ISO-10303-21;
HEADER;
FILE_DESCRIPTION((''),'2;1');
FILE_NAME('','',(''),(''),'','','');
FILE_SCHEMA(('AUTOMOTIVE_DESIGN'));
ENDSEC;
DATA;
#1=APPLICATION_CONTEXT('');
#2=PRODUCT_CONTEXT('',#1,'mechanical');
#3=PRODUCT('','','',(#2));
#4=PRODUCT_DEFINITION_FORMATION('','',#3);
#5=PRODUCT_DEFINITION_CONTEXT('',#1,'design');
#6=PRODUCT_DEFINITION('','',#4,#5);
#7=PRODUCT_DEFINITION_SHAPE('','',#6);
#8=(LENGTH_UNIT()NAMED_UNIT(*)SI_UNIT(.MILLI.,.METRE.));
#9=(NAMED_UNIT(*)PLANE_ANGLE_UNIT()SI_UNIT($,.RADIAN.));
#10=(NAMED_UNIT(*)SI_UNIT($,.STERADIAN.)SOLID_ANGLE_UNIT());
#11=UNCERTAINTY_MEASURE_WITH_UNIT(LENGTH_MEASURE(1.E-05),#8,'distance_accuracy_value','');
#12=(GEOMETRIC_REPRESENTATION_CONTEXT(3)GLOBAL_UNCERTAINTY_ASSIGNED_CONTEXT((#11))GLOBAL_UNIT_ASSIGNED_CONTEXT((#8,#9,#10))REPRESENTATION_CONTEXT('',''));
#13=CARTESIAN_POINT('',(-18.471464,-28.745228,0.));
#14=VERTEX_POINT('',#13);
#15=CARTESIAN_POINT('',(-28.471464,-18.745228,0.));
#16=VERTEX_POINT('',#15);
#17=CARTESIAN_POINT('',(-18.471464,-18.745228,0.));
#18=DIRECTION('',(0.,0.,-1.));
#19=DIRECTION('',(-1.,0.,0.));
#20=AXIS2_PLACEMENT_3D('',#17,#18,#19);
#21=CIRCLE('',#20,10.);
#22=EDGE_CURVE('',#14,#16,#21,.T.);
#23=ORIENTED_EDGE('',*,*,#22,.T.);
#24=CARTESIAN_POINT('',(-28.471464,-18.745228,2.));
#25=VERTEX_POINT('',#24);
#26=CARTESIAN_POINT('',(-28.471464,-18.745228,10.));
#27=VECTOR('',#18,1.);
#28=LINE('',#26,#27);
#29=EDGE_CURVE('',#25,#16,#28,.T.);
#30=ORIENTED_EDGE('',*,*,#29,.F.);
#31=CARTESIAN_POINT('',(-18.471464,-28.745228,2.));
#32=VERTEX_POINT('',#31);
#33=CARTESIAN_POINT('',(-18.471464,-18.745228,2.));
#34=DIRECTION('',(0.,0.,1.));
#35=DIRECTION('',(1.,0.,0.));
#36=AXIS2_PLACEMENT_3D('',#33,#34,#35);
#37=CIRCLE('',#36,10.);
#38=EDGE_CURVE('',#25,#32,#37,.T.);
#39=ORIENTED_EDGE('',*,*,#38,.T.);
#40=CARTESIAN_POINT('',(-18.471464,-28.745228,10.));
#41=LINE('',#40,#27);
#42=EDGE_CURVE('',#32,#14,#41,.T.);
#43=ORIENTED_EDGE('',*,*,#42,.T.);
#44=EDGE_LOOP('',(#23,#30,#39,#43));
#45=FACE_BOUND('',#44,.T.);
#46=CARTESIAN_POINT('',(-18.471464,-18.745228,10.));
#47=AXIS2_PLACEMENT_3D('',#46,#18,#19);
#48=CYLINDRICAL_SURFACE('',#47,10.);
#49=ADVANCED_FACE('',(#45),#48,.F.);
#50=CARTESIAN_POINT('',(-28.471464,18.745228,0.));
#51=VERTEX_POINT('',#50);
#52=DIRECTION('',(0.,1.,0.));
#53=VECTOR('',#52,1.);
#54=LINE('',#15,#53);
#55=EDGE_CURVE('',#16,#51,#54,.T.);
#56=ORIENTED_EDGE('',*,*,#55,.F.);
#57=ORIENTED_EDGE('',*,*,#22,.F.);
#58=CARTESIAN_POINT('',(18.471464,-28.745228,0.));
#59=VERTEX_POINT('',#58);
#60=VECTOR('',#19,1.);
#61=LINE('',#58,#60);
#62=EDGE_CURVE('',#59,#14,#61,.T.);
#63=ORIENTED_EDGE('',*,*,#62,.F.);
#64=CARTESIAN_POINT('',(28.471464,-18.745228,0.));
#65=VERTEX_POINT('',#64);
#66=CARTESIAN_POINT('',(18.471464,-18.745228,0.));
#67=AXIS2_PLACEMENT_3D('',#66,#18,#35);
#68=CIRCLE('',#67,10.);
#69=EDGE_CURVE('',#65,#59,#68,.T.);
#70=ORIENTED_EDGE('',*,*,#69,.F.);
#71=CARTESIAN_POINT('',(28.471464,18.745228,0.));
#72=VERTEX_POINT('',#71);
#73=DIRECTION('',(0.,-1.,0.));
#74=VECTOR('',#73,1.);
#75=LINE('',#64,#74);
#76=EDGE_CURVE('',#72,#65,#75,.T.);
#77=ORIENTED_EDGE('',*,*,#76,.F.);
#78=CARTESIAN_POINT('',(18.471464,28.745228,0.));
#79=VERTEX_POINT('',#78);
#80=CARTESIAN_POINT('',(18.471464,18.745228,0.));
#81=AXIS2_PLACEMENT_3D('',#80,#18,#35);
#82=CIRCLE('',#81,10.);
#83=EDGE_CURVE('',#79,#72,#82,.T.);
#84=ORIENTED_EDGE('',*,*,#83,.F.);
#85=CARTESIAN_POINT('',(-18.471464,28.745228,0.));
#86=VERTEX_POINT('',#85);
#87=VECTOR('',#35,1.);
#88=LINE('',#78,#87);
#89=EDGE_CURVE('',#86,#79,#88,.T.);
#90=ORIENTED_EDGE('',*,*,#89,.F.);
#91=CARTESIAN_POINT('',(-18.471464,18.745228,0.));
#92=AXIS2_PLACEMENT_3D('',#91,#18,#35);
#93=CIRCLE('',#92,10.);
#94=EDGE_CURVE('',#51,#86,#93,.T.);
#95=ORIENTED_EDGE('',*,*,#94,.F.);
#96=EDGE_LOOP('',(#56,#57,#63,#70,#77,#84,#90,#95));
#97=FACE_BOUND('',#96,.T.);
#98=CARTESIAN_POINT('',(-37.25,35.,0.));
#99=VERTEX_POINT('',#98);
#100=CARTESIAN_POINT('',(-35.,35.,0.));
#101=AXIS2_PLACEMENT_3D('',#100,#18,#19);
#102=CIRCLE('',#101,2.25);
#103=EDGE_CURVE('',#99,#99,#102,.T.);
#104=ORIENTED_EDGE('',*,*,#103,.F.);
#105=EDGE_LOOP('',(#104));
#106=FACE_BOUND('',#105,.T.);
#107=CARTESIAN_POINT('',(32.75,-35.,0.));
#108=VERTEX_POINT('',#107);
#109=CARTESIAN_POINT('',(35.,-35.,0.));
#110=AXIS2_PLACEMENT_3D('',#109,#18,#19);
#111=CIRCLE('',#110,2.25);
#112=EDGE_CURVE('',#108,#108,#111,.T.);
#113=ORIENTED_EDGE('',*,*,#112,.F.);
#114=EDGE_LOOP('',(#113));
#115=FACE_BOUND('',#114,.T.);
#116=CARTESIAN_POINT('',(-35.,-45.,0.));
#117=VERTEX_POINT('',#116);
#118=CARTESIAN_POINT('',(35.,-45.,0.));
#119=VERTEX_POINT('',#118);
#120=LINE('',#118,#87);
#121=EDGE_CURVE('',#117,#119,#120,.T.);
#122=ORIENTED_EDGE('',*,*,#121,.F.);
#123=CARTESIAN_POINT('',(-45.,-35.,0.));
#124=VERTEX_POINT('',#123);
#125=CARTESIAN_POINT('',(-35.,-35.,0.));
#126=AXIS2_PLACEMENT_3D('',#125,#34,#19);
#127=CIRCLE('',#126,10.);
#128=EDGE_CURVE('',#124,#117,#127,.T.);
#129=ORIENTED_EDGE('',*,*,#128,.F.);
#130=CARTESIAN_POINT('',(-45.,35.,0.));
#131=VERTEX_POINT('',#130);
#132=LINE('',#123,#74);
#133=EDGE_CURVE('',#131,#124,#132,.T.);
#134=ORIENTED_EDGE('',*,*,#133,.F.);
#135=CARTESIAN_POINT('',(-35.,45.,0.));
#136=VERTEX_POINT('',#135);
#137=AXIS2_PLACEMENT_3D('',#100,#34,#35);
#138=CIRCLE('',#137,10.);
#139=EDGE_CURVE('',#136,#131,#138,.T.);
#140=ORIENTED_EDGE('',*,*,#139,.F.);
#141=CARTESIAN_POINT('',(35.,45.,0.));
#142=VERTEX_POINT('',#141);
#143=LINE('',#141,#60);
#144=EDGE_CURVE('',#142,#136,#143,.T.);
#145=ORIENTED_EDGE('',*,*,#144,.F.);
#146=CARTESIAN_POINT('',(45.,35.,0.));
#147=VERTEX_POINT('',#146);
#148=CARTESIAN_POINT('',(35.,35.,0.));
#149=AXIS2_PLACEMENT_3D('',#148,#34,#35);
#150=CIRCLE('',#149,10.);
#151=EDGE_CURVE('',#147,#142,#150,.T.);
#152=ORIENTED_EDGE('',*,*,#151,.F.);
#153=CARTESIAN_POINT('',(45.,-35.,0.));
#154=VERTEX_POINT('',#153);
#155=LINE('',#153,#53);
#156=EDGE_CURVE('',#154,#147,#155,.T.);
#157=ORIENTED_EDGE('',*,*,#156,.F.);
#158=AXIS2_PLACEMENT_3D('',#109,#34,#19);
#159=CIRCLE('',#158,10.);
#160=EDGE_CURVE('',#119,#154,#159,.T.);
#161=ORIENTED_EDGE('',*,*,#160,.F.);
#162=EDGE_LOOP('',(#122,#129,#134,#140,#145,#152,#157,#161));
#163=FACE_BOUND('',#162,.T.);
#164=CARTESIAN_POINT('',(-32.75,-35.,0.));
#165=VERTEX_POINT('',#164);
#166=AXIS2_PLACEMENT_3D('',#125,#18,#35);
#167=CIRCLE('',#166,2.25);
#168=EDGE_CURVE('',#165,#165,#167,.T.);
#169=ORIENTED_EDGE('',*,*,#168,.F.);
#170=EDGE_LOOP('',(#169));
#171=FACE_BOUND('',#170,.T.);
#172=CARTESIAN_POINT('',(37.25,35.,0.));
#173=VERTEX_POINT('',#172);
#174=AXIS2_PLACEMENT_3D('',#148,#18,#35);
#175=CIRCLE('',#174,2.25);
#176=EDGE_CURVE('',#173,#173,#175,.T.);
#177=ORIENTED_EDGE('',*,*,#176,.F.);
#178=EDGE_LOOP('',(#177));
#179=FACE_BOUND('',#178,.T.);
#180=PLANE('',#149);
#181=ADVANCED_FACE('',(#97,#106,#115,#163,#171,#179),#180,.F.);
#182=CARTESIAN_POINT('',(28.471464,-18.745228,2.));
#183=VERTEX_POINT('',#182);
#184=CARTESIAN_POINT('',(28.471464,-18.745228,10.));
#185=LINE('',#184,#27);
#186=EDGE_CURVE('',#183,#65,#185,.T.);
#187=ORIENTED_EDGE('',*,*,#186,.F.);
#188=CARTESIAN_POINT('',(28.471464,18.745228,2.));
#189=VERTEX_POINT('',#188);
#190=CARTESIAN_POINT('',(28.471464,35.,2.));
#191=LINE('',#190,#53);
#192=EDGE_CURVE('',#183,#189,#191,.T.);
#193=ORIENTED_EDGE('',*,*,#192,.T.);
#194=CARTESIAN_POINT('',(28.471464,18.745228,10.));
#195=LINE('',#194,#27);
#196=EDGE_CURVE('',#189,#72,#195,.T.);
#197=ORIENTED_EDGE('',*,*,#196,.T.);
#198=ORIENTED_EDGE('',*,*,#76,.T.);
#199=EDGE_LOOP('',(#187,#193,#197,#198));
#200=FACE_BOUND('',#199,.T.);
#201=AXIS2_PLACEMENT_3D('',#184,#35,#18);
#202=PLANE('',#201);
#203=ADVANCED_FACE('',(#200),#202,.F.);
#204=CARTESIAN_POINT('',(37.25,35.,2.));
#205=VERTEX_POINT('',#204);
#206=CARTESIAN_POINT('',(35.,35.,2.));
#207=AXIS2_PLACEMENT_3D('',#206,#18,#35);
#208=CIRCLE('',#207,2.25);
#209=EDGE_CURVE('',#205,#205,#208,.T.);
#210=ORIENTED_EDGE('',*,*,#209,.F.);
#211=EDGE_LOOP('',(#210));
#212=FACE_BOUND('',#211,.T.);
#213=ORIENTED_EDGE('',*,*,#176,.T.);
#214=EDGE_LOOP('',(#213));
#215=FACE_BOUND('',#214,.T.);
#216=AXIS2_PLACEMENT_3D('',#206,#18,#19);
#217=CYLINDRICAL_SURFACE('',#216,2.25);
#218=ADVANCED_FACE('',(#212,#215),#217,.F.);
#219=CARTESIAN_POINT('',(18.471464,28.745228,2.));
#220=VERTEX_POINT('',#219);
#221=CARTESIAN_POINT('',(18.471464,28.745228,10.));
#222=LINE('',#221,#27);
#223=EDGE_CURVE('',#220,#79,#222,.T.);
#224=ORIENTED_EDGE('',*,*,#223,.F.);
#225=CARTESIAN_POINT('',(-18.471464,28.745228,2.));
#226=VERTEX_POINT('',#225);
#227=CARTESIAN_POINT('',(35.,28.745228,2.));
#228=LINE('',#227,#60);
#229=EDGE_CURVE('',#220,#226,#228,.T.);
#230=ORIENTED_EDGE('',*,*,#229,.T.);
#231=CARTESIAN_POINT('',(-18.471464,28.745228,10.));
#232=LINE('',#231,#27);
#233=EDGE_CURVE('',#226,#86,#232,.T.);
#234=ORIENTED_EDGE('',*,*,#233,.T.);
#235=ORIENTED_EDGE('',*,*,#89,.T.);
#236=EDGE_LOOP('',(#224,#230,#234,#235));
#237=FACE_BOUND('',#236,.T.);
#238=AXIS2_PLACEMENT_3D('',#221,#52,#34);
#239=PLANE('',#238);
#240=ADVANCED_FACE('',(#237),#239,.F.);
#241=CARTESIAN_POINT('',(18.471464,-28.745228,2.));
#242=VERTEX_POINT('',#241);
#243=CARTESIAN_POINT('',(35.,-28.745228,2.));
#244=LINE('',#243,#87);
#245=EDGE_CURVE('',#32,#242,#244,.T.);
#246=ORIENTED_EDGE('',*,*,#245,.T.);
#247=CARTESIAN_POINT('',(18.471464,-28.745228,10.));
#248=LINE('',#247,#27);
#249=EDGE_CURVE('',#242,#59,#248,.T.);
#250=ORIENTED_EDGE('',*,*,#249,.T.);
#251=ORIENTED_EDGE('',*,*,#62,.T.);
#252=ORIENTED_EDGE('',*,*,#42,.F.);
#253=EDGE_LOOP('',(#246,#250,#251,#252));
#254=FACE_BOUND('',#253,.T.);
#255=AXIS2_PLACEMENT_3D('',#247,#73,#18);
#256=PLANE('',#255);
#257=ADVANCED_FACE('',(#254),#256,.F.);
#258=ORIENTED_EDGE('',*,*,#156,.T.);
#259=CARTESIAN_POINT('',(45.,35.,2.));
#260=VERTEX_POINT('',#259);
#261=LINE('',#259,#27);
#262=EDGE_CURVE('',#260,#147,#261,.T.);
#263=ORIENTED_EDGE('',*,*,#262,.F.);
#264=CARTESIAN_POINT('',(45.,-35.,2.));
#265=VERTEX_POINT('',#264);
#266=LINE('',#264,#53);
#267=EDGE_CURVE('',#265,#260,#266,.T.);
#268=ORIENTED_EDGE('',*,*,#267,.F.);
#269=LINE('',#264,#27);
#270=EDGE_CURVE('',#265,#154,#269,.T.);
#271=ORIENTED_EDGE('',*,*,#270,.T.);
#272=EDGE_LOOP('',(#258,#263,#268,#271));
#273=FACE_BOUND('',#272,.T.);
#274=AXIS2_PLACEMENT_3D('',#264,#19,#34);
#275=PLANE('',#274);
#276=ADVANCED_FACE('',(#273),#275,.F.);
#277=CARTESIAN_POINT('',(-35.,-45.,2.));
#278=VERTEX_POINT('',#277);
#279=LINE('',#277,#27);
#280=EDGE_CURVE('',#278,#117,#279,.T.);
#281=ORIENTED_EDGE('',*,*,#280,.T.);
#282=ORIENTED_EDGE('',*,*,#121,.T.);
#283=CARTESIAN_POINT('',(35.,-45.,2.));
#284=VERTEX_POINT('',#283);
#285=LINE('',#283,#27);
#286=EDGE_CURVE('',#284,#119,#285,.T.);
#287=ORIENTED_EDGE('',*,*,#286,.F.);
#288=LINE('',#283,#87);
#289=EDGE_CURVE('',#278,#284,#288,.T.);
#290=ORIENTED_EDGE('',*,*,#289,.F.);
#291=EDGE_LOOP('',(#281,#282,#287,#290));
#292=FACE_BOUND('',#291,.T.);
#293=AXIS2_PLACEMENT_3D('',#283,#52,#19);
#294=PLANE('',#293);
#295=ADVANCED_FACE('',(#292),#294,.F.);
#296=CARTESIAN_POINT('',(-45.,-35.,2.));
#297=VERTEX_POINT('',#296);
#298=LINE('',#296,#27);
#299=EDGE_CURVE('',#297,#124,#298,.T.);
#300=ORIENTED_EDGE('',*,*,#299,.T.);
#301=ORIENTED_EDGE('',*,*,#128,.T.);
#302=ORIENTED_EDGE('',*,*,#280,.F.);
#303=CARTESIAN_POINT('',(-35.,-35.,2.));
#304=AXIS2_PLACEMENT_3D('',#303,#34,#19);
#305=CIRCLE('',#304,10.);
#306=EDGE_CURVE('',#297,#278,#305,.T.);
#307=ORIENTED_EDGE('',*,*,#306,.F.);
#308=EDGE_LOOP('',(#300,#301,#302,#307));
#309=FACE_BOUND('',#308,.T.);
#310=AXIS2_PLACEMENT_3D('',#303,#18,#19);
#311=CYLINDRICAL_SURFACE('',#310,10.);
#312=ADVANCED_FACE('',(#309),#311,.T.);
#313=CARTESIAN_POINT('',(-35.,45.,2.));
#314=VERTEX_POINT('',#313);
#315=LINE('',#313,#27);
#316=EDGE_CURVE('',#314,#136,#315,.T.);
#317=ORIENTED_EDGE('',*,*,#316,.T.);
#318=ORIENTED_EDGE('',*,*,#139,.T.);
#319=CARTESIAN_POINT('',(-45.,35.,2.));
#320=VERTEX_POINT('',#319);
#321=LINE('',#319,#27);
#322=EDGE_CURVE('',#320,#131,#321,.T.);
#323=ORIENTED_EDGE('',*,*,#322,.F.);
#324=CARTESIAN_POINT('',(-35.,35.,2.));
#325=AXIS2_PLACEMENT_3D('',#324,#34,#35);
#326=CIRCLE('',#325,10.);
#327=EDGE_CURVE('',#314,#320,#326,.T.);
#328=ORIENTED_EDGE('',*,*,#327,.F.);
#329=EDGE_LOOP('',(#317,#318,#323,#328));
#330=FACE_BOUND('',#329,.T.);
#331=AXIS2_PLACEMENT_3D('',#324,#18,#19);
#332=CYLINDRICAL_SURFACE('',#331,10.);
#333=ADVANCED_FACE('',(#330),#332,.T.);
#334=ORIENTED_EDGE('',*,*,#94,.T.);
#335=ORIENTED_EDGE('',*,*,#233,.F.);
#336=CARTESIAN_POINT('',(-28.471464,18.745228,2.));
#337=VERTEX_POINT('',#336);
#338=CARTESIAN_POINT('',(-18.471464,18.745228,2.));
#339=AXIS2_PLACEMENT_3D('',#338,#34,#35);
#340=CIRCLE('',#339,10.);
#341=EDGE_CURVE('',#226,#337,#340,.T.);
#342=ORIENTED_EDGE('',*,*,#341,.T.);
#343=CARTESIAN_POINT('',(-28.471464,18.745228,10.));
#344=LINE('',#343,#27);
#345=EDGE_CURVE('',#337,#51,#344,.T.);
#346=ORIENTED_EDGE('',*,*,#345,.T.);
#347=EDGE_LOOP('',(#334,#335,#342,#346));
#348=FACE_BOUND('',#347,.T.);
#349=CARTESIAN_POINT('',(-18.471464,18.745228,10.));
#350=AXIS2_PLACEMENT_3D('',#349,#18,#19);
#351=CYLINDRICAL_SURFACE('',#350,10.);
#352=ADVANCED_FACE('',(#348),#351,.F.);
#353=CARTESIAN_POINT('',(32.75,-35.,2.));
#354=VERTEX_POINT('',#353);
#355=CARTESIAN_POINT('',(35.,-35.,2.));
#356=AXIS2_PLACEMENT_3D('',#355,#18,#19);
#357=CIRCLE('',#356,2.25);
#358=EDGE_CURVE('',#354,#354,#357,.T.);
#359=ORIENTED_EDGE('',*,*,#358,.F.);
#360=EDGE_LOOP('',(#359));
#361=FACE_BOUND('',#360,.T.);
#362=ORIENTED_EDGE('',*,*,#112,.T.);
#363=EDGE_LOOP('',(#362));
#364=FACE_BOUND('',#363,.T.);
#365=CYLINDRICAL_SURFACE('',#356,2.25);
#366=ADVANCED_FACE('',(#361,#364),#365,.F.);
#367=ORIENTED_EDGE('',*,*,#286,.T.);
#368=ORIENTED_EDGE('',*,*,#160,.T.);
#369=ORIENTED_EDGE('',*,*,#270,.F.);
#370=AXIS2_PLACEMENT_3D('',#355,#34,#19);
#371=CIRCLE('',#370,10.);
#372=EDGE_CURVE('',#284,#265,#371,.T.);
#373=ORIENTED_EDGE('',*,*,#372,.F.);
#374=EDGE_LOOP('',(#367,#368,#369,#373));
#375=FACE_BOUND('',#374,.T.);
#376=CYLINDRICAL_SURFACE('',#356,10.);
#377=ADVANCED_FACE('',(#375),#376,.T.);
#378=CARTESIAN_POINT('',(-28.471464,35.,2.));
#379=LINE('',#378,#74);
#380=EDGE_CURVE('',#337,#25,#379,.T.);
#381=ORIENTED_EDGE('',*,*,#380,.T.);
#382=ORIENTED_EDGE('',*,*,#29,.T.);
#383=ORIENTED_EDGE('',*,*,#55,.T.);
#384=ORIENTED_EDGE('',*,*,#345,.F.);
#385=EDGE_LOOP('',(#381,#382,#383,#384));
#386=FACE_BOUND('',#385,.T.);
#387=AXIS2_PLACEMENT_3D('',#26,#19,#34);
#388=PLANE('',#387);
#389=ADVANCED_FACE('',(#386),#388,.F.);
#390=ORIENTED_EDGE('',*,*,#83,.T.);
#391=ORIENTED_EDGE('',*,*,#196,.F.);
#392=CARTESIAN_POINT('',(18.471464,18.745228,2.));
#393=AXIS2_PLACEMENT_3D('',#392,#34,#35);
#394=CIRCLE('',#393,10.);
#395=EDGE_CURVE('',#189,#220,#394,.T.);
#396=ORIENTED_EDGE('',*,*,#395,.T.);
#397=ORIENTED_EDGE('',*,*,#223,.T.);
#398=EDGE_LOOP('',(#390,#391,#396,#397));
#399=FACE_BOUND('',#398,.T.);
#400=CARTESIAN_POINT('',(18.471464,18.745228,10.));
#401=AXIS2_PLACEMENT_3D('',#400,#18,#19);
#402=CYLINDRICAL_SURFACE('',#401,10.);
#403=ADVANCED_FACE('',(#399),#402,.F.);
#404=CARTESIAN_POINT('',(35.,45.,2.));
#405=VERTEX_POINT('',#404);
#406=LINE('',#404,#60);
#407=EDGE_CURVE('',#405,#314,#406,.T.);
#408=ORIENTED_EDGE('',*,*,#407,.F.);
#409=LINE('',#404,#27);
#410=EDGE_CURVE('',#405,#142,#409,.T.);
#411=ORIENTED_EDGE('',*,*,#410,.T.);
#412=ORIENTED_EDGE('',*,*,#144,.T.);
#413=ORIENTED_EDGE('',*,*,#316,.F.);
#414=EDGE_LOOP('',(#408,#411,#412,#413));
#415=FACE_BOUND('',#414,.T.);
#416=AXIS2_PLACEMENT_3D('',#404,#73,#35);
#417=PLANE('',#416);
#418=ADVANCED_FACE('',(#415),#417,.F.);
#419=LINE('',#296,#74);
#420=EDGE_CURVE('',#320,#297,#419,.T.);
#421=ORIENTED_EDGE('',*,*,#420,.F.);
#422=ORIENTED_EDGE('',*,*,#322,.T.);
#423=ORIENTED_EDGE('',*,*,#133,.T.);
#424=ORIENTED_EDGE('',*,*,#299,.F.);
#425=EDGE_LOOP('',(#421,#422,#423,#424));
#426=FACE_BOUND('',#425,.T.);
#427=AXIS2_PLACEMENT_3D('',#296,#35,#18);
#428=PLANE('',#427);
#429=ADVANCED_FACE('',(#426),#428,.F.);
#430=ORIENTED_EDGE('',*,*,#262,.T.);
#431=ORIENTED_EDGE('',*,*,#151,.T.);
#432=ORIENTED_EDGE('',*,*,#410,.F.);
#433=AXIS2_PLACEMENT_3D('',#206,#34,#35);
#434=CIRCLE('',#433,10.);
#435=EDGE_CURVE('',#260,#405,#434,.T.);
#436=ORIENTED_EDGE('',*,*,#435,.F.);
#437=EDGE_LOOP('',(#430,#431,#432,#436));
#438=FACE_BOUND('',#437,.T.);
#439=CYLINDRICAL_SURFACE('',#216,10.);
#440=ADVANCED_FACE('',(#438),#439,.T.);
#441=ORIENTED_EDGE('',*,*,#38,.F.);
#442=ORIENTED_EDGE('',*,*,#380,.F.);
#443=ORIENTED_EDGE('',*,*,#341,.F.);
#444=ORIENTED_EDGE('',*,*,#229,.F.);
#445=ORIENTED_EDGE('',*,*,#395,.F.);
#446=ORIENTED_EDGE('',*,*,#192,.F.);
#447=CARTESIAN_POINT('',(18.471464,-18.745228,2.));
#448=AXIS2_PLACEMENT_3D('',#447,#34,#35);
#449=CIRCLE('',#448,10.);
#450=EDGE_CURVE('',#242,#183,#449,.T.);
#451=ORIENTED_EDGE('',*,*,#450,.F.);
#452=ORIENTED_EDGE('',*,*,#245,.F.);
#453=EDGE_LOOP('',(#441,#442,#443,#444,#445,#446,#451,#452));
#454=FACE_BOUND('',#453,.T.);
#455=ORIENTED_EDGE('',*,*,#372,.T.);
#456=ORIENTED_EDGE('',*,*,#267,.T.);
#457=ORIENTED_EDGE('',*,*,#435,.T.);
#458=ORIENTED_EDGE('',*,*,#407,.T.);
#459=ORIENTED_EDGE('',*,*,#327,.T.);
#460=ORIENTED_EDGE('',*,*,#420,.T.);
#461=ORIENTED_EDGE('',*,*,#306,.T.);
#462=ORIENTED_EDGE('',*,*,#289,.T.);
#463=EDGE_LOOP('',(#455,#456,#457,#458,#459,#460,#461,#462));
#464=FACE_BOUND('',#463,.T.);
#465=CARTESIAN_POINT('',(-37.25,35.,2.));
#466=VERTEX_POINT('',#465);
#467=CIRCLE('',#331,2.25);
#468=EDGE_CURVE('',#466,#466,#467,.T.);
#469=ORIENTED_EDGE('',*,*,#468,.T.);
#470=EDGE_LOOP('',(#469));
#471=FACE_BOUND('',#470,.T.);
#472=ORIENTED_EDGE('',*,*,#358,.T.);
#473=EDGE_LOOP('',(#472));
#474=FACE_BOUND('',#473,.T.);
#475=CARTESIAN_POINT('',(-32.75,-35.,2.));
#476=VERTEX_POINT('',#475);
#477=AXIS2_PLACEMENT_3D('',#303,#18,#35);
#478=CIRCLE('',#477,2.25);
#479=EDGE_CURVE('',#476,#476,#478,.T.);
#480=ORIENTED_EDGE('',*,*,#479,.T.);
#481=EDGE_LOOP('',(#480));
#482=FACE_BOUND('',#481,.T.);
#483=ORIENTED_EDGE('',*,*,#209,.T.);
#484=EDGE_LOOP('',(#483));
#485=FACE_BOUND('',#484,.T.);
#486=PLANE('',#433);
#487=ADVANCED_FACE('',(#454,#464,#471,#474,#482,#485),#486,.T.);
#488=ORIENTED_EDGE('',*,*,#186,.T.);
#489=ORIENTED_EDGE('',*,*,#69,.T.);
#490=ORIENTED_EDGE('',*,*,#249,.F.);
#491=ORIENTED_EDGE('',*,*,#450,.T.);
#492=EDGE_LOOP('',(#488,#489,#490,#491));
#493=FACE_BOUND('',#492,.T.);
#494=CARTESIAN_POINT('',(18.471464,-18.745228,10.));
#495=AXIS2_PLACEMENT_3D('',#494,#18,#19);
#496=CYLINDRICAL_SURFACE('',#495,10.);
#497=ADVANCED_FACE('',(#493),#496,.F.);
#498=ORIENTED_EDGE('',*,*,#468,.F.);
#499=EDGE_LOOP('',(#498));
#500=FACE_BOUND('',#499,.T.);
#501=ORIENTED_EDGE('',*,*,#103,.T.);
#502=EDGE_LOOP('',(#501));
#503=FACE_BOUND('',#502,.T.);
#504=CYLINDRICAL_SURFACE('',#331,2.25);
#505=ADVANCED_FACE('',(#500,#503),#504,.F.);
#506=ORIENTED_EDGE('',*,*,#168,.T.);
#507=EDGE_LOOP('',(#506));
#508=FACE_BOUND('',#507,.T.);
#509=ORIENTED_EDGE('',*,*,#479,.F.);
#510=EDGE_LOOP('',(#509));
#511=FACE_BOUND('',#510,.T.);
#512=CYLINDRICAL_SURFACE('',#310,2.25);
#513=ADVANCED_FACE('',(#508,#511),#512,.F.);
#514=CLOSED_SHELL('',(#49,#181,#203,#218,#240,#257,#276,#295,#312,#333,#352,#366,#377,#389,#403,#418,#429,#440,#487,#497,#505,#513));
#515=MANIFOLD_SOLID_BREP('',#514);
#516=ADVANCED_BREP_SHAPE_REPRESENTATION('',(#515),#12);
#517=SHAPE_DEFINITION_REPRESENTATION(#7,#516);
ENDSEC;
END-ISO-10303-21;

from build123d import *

# Parameters (mm, degrees)
BOSS_EXTRU_1_DEPTH      = 2
ESQUISSE2_R             = 2.25
ENL_V_MAT_EXTRU_1_DEPTH = 3
ENL_V_MAT_EXTRU_2_DEPTH = 10


with BuildPart() as part:
    # Esquisse1 → Boss.-Extru.1 (new body)
    with BuildSketch(Plane.XY):
        with BuildLine():
            Line((35, -45), (-35, -45))
            ThreePointArc((-35, -45), (-42.071067812, -42.071067812), (-45, -35))
            Line((-45, -35), (-45, 35))
            ThreePointArc((-45, 35), (-42.071067812, 42.071067812), (-35, 45))
            Line((-35, 45), (35, 45))
            ThreePointArc((35, 45), (42.071067812, 42.071067812), (45, 35))
            Line((45, 35), (45, -35))
            ThreePointArc((45, -35), (42.071067812, -42.071067812), (35, -45))
        make_face()
    extrude(amount=BOSS_EXTRU_1_DEPTH)

    # Esquisse2 → Enlèv. mat.-Extru.1 (cut, through all)
    with BuildSketch(Plane(origin=(0, 0, 0), x_dir=(-1, 0, 0), z_dir=(0, 0, -1))):
        with Locations((-35, -35)):
            Circle(ESQUISSE2_R)
        with Locations((-35, 35)):
            Circle(ESQUISSE2_R)
        with Locations((35, -35)):
            Circle(ESQUISSE2_R)
        with Locations((35, 35)):
            Circle(ESQUISSE2_R)
    extrude(amount=-ENL_V_MAT_EXTRU_1_DEPTH, mode=Mode.SUBTRACT)

    # Esquisse4 → Enlèv. mat.-Extru.2 (cut)
    with BuildSketch(Plane(origin=(0, 0, 0), x_dir=(-1, 0, 0), z_dir=(0, 0, -1))):
        with BuildLine():
            Line((-18.471463814, -28.745227889), (18.471463814, -28.745227889))
            ThreePointArc((18.471463814, -28.745227889), (25.542531626, -25.816295701), (28.471463814, -18.745227889))
            Line((28.471463814, -18.745227889), (28.471463814, 18.745227889))
            ThreePointArc((28.471463814, 18.745227889), (25.542531626, 25.816295701), (18.471463814, 28.745227889))
            Line((18.471463814, 28.745227889), (-18.471463814, 28.745227889))
            ThreePointArc((-18.471463814, 28.745227889), (-25.542531626, 25.816295701), (-28.471463814, 18.745227889))
            Line((-28.471463814, 18.745227889), (-28.471463814, -18.745227889))
            ThreePointArc((-28.471463814, -18.745227889), (-25.542531626, -25.816295701), (-18.471463814, -28.745227889))
        make_face()
    extrude(amount=-ENL_V_MAT_EXTRU_2_DEPTH, mode=Mode.SUBTRACT)


solid = part.part
